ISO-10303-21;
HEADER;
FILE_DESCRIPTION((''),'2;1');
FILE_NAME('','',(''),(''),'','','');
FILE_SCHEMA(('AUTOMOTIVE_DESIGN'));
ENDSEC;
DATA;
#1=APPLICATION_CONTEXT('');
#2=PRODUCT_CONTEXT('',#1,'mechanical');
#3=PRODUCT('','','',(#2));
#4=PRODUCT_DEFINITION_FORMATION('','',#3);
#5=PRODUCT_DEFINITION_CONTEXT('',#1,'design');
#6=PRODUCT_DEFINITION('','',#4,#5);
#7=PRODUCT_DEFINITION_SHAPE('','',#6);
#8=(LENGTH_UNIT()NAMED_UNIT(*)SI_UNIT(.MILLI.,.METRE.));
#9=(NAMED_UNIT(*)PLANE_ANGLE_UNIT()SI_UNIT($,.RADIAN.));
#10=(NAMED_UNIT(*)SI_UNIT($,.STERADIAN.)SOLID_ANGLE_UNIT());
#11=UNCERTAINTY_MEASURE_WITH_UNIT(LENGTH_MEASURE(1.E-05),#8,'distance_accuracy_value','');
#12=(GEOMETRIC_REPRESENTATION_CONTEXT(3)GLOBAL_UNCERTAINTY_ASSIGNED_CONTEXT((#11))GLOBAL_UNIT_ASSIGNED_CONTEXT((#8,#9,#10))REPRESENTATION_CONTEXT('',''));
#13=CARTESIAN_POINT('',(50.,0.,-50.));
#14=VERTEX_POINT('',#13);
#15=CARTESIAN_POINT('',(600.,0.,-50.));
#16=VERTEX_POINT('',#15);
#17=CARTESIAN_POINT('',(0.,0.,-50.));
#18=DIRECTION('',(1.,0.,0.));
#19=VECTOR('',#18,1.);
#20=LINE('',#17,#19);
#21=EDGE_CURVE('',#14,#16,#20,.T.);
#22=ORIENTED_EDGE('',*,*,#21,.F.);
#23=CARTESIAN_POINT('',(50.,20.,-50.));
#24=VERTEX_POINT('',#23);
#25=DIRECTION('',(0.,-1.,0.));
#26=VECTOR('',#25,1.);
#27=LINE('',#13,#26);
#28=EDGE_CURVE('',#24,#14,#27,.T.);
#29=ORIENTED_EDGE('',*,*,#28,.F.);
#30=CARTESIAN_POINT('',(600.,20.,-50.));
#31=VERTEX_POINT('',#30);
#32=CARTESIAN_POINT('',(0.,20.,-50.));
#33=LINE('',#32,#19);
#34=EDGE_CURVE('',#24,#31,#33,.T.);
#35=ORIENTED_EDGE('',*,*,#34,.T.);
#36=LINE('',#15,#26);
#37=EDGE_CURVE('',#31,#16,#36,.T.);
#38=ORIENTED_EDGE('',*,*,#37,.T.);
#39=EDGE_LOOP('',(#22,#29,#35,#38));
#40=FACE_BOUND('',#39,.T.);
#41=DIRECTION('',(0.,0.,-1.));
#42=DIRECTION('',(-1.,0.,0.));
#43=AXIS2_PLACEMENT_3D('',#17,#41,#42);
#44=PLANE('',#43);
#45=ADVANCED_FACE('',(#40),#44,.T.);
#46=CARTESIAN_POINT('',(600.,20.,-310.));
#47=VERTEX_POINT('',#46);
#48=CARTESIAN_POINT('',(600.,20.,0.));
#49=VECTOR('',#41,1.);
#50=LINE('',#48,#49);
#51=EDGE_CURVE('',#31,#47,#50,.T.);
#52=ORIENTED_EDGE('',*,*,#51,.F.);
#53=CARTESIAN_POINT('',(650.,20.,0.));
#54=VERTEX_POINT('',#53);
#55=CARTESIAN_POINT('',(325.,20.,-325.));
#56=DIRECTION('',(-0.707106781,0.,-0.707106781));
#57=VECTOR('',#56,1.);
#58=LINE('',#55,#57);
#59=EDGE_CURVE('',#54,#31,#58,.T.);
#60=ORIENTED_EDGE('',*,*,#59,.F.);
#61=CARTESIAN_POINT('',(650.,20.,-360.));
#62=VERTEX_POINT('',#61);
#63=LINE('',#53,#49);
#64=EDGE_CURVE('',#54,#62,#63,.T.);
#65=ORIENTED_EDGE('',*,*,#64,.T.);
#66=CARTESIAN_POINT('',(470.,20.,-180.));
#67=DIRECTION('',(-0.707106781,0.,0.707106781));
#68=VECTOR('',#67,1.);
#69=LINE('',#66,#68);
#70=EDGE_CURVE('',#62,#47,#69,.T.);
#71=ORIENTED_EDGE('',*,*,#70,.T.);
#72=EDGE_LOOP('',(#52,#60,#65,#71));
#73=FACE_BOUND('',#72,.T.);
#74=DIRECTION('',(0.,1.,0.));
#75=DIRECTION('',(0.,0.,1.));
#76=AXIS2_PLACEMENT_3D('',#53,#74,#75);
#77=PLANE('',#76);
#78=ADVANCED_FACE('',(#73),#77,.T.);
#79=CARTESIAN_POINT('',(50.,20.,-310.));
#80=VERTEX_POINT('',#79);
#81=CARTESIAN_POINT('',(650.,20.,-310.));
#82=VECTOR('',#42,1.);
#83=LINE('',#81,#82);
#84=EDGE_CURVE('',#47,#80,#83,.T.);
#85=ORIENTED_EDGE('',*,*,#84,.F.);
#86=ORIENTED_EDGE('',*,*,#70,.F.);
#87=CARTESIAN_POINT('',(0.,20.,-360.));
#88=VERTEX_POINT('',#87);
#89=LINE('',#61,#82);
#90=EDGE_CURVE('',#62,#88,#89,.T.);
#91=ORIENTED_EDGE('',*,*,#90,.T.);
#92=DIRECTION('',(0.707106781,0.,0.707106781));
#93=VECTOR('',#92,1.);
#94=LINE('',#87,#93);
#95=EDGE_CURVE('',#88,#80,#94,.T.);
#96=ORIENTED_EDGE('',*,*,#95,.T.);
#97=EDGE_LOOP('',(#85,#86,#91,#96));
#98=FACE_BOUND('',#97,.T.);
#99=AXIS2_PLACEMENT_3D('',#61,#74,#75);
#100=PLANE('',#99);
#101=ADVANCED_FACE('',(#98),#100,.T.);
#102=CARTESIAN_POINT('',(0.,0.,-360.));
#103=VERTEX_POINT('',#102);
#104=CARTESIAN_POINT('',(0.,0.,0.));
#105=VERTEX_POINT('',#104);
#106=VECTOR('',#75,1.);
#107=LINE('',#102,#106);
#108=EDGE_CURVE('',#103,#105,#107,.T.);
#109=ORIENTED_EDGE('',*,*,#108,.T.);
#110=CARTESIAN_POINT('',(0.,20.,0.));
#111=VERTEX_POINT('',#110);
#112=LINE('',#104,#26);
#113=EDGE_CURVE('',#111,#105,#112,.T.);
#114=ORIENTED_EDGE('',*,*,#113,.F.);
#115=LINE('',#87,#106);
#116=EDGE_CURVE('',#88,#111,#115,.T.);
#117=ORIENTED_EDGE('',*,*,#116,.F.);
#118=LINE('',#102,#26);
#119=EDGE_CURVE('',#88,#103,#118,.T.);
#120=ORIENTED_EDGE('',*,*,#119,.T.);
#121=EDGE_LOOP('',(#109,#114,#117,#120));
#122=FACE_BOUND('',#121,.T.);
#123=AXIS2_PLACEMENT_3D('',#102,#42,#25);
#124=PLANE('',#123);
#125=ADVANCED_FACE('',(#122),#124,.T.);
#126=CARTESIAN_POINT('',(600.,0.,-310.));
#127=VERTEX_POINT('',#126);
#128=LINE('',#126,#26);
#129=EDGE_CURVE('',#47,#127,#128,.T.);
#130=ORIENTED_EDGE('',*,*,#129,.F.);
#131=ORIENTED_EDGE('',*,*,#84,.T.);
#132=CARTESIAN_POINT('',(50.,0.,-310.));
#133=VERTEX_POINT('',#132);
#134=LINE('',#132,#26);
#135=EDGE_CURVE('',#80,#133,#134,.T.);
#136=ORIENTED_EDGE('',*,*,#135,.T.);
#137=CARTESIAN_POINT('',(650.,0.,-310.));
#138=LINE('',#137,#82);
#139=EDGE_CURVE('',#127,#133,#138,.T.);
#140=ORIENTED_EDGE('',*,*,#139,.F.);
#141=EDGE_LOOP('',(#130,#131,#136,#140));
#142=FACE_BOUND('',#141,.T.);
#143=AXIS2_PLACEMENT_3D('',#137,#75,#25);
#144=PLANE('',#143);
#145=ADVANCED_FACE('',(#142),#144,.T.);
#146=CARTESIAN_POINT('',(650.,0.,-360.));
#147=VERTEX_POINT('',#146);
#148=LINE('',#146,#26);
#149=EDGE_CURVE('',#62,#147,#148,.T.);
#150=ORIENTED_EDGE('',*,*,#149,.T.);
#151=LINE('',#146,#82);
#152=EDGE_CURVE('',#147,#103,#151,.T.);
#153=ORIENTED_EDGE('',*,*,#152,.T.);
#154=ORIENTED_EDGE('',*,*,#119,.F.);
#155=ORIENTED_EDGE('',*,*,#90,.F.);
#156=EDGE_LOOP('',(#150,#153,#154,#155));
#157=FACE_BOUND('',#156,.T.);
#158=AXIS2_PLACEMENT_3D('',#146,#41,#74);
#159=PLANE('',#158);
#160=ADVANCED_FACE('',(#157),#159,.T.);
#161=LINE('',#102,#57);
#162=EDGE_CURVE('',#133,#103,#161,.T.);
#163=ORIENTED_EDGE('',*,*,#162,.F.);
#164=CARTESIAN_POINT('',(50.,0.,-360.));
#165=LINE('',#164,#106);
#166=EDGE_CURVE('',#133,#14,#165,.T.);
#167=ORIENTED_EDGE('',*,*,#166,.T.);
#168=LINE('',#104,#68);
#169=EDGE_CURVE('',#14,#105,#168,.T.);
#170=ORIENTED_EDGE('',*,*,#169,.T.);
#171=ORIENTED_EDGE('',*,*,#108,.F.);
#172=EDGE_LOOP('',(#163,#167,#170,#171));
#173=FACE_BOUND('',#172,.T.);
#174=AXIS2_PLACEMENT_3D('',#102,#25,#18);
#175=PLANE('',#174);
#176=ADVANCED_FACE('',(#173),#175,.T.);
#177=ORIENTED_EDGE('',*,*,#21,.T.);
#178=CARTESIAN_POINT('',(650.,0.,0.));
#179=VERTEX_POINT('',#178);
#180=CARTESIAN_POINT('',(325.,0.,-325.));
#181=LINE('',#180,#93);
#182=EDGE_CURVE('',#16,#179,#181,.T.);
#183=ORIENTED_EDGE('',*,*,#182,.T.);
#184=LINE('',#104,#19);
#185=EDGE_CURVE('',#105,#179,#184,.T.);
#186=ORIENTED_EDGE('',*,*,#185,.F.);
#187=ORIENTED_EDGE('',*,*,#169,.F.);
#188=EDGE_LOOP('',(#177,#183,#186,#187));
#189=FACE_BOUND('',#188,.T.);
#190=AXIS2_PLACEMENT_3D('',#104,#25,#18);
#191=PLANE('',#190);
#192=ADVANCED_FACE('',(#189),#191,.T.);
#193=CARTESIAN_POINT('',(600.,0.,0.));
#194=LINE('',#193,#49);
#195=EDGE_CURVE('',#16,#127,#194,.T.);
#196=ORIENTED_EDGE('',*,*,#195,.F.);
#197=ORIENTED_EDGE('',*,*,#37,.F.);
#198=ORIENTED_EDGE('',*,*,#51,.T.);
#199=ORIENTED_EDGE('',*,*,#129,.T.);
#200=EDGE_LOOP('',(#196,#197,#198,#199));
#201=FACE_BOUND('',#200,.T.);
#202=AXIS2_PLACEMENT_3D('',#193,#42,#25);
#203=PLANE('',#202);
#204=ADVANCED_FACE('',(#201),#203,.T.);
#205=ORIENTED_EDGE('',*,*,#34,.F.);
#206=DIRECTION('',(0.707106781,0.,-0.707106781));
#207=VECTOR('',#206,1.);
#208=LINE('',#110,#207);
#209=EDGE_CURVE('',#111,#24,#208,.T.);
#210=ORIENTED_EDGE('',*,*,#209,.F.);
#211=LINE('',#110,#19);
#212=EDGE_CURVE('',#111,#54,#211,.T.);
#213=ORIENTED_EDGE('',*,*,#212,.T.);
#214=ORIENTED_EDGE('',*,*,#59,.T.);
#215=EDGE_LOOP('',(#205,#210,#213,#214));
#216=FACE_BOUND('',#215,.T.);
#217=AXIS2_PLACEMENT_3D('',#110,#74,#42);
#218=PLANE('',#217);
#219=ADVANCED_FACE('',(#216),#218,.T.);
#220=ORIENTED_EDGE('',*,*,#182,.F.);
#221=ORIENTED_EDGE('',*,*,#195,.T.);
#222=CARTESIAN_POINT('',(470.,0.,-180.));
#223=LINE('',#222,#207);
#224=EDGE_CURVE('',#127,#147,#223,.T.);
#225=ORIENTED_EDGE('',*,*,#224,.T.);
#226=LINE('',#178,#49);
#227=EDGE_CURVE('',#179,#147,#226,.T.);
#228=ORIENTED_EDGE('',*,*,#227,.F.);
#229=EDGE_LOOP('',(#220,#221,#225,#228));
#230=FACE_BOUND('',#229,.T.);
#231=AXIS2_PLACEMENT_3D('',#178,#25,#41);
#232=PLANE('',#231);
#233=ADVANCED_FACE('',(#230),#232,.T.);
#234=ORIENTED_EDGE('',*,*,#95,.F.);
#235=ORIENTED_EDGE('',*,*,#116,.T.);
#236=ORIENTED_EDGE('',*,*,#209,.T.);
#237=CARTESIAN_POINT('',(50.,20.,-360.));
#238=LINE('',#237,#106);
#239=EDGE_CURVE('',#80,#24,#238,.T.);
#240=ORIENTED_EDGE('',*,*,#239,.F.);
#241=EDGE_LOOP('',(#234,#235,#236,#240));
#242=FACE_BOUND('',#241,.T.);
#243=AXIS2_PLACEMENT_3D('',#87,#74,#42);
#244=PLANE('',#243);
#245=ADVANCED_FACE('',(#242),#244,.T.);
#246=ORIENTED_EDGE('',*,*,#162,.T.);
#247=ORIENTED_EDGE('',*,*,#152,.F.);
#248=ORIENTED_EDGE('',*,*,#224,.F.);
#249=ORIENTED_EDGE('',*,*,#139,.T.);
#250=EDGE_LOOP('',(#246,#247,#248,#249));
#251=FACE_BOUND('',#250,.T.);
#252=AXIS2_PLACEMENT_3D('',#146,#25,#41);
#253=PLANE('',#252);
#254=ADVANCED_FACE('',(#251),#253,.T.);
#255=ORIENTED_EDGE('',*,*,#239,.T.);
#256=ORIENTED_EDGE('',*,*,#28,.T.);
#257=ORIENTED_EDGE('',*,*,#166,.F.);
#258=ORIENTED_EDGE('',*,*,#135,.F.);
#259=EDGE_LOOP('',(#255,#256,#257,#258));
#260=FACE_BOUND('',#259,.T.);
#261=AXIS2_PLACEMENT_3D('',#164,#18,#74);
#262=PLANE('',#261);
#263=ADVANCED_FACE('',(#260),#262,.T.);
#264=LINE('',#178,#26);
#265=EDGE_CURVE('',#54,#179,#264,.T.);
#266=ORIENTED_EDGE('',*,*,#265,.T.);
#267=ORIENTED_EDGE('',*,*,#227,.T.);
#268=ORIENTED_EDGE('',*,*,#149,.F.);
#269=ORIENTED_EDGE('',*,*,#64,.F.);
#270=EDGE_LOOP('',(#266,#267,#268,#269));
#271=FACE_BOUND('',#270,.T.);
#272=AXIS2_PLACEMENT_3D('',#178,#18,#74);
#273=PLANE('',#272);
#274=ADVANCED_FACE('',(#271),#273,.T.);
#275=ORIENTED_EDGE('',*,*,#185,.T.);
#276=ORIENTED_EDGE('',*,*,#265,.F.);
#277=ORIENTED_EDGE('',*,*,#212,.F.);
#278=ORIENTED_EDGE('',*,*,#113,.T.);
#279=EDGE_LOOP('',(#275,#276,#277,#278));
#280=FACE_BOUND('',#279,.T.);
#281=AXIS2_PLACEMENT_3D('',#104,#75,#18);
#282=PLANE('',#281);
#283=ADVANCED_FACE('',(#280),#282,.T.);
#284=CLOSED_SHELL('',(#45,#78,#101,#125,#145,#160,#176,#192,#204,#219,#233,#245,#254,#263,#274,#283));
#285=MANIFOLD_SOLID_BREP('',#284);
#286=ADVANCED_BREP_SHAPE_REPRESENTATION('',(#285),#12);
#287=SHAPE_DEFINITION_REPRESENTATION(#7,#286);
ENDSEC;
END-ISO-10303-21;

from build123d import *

# Parameters (mm, degrees)
SKETCH1_W = 50
SKETCH1_H = 20


with BuildPart() as part:
    # Sweep1: sweep along a curve in space
    with BuildLine() as sweep1_path:
        Line((0, 0, 0), (650, 0, 0))
        Line((650, 0, 0), (650, 0, -360))
        Line((650, 0, -360), (0, 0, -360))
        Line((0, 0, -360), (0, 0, 0))
    # Sketch1 → Sweep1 (sweep)
    with BuildSketch(Plane(origin=(0, 0, 0), x_dir=(0, 0, -1), z_dir=(1, 0, 0))):
        with Locations((25, 10)):
            Rectangle(SKETCH1_W, SKETCH1_H)
    sweep(path=sweep1_path.line, transition=Transition.RIGHT)


solid = part.part
